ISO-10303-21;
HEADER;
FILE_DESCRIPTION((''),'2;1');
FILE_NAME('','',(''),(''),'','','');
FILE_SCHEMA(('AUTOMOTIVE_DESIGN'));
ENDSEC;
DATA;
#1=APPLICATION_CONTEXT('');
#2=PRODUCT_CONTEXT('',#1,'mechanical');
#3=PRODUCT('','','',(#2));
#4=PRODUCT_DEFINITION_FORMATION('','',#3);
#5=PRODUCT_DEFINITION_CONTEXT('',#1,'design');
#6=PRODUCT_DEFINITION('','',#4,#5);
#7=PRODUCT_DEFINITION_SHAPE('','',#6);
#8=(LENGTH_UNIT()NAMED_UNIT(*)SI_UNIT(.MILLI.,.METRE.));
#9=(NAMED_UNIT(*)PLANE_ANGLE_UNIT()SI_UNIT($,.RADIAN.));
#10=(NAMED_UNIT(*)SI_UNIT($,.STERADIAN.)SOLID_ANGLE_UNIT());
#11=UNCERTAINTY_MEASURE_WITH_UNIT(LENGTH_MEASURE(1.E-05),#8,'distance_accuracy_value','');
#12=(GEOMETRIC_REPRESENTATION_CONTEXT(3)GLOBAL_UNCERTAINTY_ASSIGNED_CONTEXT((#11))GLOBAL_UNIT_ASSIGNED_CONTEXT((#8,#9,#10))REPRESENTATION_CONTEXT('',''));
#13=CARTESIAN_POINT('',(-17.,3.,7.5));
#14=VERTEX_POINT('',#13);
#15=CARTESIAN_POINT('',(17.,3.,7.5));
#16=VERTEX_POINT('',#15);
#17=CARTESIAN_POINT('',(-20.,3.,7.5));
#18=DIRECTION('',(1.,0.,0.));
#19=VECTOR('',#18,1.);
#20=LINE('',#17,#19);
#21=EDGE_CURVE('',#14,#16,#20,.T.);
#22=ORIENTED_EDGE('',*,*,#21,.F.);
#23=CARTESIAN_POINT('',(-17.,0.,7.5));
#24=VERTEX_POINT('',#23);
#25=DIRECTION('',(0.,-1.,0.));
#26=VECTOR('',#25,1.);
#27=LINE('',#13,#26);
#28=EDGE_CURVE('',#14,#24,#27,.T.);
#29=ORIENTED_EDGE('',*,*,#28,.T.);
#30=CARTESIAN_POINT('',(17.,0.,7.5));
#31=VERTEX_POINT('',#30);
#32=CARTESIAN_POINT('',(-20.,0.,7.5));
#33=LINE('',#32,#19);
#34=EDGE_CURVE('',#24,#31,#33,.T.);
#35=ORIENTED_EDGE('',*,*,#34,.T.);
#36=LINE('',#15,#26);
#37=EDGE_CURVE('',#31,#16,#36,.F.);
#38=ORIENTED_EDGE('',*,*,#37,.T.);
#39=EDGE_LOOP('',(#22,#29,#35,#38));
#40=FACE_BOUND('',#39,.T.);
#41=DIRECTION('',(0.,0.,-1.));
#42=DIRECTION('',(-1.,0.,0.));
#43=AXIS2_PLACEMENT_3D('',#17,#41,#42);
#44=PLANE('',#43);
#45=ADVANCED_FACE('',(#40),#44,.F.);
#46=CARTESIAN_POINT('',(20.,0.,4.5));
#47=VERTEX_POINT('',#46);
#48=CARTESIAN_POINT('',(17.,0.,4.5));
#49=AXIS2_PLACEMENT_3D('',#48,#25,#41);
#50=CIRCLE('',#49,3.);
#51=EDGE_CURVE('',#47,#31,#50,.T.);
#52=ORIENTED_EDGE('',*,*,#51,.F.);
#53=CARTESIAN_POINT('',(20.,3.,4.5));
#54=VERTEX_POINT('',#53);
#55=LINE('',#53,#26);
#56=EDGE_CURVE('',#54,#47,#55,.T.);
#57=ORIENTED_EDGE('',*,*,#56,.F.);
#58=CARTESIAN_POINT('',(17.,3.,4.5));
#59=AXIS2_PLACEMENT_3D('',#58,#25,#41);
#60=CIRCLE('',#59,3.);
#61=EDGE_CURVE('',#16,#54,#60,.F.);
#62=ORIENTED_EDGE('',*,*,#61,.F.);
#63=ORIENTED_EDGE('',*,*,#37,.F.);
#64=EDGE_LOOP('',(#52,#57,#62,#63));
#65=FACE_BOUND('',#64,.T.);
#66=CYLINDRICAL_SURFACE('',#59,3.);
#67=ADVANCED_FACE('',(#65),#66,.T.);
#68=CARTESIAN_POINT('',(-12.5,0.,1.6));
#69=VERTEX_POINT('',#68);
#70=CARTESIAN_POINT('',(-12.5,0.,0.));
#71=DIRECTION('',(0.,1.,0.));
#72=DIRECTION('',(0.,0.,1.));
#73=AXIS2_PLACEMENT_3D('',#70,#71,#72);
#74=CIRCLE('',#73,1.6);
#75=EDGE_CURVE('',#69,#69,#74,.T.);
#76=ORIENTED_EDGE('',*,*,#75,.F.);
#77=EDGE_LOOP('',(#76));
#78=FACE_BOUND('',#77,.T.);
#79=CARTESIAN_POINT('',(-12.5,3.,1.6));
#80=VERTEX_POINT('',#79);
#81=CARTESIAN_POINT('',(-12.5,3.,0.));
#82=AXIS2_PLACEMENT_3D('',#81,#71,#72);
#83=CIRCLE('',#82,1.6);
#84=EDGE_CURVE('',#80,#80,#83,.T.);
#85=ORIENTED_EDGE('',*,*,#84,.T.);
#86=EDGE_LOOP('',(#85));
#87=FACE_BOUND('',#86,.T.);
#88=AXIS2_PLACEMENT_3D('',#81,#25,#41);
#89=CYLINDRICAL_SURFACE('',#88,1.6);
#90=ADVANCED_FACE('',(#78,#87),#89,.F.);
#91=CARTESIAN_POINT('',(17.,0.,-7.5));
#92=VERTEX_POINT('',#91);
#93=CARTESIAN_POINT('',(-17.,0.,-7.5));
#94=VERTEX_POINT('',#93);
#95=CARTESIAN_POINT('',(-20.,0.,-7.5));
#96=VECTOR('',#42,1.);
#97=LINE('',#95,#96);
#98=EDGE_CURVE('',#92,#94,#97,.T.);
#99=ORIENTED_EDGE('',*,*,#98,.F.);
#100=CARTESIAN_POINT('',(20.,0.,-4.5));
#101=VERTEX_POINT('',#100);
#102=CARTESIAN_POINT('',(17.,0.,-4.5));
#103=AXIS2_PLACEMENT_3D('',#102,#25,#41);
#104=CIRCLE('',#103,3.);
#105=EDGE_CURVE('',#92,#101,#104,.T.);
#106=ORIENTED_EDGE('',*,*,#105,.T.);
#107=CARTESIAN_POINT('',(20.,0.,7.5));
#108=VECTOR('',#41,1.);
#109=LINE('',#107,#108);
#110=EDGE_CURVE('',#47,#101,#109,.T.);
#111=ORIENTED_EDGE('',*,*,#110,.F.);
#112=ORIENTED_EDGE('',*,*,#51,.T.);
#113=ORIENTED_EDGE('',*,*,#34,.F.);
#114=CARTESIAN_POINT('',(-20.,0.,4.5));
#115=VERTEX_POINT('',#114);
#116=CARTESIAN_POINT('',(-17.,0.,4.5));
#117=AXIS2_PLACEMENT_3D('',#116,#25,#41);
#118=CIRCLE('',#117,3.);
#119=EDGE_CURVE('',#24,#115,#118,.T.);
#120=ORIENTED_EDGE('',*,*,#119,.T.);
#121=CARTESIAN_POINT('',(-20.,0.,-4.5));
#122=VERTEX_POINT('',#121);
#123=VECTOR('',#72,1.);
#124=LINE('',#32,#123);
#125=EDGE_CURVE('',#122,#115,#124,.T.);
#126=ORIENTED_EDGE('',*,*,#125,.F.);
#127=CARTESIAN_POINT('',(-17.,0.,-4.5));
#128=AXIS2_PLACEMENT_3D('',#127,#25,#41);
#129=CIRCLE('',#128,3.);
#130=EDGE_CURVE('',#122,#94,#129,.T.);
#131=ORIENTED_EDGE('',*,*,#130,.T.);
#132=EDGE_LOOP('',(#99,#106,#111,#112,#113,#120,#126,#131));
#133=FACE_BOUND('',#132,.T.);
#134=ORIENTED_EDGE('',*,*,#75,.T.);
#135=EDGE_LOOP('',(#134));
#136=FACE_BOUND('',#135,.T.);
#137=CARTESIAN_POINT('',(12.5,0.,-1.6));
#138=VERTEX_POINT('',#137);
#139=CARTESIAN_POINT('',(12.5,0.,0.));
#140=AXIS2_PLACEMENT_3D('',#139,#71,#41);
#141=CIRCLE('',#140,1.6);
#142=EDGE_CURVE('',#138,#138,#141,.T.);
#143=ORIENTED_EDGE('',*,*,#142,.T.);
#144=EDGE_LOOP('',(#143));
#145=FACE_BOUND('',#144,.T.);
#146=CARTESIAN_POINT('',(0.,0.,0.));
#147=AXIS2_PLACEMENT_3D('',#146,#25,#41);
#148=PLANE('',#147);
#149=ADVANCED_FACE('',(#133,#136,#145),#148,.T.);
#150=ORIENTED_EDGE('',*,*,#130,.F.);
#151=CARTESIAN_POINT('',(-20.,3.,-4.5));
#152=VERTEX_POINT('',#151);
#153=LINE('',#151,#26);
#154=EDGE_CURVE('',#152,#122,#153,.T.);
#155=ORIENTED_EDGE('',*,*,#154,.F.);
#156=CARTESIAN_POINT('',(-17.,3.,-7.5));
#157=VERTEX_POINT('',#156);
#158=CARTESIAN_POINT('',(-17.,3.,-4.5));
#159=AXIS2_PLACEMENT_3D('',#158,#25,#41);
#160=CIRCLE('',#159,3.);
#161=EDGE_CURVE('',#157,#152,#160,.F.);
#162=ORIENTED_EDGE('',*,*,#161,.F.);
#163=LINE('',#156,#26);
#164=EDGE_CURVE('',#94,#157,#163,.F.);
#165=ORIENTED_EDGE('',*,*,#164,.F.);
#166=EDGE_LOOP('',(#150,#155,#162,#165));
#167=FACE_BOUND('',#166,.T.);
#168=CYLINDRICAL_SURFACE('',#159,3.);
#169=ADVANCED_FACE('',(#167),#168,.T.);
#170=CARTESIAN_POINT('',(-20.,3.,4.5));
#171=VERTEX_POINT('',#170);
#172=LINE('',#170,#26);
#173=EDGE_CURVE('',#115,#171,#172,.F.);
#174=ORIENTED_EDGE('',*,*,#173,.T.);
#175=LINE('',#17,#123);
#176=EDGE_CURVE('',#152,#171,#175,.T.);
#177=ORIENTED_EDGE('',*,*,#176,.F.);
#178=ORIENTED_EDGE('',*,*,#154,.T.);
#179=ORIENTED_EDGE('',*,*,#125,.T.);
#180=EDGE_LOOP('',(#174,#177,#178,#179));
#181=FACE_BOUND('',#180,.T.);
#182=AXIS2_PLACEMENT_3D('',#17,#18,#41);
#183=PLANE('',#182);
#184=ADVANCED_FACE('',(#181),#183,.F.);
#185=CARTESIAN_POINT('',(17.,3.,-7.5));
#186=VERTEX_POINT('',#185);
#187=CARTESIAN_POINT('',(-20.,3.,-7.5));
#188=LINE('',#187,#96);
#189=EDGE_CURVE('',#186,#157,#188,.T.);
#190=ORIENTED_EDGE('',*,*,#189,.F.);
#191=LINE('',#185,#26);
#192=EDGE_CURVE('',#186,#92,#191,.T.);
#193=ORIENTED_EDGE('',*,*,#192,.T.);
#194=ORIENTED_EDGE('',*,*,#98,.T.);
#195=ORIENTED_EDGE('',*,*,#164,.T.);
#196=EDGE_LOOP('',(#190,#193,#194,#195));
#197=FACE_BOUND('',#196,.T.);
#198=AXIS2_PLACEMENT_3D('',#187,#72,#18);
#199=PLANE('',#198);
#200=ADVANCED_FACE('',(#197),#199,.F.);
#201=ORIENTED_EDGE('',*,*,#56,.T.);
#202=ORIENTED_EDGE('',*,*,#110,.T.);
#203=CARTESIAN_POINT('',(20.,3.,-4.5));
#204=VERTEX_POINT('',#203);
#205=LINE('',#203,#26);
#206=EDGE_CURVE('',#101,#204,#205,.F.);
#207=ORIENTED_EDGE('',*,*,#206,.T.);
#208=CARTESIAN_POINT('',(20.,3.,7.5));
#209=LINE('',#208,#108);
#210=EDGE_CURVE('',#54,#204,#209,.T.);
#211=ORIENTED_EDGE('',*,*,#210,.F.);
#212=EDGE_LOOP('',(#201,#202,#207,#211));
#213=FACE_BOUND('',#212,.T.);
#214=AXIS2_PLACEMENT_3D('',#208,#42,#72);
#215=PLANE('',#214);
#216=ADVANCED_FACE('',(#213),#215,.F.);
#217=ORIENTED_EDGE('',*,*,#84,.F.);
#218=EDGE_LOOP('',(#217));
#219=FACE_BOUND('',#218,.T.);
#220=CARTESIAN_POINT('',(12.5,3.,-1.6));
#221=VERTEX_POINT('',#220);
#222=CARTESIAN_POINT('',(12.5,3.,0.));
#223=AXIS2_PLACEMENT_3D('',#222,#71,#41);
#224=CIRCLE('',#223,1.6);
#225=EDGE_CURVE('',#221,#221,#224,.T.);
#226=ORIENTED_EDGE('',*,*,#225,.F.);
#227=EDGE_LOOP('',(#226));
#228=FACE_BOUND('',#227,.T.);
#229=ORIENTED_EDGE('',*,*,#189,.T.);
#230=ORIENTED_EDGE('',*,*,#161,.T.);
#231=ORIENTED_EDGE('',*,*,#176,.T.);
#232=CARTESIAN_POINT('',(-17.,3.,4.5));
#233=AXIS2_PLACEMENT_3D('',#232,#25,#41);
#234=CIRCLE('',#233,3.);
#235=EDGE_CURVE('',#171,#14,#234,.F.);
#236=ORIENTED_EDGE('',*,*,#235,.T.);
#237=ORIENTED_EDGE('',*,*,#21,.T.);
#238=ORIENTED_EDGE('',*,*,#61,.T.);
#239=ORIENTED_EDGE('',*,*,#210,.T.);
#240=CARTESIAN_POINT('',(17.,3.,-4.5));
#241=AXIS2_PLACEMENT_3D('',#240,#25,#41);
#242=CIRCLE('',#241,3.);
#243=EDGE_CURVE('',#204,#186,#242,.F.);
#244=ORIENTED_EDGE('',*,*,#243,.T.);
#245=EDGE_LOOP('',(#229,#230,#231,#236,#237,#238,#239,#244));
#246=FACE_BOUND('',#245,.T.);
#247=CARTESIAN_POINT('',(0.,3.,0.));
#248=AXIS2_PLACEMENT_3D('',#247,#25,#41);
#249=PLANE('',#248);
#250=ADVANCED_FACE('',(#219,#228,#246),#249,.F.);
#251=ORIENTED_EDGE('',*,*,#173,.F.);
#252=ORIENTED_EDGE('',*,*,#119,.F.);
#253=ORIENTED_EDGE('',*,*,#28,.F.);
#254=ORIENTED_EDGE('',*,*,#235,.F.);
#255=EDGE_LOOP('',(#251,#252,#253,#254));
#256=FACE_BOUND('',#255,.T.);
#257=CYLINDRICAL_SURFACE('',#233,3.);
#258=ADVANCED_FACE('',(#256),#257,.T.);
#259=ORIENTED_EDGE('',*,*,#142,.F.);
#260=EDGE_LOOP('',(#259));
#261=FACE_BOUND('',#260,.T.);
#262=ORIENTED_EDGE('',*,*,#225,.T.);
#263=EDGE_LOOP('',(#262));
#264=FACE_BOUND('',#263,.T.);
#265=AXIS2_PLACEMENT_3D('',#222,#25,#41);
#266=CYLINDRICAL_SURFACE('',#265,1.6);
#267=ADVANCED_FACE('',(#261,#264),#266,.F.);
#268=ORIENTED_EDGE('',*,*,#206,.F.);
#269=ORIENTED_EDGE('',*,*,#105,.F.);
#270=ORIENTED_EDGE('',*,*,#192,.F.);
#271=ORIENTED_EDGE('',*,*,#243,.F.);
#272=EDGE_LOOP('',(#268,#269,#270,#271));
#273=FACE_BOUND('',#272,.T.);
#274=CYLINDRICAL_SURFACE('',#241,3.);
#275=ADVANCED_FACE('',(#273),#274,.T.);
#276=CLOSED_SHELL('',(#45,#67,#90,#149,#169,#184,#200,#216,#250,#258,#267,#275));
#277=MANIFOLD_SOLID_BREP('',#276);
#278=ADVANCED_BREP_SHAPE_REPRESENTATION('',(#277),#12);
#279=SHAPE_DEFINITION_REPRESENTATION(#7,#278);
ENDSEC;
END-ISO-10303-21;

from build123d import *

# Parameters (mm, degrees)
SKETCH_1_W      = 40
SKETCH_1_H      = 15
SKETCH_1_R      = 1.6
EXTRUDE_1_DEPTH = 3
FILLET_1_R      = 3


with BuildPart() as part:
    # 草图1 → 凸台-拉伸1 (new body)
    with BuildSketch(Plane(origin=(0, 0, 0), x_dir=(1, 0, 0), z_dir=(0, 1, 0))):
        Rectangle(SKETCH_1_W, SKETCH_1_H)
        with Locations(Location((-12.5, 0, 0), (0, 0, 270))):
            Circle(SKETCH_1_R, mode=Mode.SUBTRACT)
        with Locations(Location((12.5, 0, 0), (0, 0, 90))):
            Circle(SKETCH_1_R, mode=Mode.SUBTRACT)
    extrude(amount=EXTRUDE_1_DEPTH)

    # 圆角1
    fillet_1_edges = [part.edges().sort_by_distance(p)[0] for p in [
        (20, 1.5, 7.5),
        (-20, 1.5, 7.5),
        (-20, 1.5, -7.5),
        (20, 1.5, -7.5),
    ]]
    fillet(fillet_1_edges, radius=FILLET_1_R)


solid = part.part
